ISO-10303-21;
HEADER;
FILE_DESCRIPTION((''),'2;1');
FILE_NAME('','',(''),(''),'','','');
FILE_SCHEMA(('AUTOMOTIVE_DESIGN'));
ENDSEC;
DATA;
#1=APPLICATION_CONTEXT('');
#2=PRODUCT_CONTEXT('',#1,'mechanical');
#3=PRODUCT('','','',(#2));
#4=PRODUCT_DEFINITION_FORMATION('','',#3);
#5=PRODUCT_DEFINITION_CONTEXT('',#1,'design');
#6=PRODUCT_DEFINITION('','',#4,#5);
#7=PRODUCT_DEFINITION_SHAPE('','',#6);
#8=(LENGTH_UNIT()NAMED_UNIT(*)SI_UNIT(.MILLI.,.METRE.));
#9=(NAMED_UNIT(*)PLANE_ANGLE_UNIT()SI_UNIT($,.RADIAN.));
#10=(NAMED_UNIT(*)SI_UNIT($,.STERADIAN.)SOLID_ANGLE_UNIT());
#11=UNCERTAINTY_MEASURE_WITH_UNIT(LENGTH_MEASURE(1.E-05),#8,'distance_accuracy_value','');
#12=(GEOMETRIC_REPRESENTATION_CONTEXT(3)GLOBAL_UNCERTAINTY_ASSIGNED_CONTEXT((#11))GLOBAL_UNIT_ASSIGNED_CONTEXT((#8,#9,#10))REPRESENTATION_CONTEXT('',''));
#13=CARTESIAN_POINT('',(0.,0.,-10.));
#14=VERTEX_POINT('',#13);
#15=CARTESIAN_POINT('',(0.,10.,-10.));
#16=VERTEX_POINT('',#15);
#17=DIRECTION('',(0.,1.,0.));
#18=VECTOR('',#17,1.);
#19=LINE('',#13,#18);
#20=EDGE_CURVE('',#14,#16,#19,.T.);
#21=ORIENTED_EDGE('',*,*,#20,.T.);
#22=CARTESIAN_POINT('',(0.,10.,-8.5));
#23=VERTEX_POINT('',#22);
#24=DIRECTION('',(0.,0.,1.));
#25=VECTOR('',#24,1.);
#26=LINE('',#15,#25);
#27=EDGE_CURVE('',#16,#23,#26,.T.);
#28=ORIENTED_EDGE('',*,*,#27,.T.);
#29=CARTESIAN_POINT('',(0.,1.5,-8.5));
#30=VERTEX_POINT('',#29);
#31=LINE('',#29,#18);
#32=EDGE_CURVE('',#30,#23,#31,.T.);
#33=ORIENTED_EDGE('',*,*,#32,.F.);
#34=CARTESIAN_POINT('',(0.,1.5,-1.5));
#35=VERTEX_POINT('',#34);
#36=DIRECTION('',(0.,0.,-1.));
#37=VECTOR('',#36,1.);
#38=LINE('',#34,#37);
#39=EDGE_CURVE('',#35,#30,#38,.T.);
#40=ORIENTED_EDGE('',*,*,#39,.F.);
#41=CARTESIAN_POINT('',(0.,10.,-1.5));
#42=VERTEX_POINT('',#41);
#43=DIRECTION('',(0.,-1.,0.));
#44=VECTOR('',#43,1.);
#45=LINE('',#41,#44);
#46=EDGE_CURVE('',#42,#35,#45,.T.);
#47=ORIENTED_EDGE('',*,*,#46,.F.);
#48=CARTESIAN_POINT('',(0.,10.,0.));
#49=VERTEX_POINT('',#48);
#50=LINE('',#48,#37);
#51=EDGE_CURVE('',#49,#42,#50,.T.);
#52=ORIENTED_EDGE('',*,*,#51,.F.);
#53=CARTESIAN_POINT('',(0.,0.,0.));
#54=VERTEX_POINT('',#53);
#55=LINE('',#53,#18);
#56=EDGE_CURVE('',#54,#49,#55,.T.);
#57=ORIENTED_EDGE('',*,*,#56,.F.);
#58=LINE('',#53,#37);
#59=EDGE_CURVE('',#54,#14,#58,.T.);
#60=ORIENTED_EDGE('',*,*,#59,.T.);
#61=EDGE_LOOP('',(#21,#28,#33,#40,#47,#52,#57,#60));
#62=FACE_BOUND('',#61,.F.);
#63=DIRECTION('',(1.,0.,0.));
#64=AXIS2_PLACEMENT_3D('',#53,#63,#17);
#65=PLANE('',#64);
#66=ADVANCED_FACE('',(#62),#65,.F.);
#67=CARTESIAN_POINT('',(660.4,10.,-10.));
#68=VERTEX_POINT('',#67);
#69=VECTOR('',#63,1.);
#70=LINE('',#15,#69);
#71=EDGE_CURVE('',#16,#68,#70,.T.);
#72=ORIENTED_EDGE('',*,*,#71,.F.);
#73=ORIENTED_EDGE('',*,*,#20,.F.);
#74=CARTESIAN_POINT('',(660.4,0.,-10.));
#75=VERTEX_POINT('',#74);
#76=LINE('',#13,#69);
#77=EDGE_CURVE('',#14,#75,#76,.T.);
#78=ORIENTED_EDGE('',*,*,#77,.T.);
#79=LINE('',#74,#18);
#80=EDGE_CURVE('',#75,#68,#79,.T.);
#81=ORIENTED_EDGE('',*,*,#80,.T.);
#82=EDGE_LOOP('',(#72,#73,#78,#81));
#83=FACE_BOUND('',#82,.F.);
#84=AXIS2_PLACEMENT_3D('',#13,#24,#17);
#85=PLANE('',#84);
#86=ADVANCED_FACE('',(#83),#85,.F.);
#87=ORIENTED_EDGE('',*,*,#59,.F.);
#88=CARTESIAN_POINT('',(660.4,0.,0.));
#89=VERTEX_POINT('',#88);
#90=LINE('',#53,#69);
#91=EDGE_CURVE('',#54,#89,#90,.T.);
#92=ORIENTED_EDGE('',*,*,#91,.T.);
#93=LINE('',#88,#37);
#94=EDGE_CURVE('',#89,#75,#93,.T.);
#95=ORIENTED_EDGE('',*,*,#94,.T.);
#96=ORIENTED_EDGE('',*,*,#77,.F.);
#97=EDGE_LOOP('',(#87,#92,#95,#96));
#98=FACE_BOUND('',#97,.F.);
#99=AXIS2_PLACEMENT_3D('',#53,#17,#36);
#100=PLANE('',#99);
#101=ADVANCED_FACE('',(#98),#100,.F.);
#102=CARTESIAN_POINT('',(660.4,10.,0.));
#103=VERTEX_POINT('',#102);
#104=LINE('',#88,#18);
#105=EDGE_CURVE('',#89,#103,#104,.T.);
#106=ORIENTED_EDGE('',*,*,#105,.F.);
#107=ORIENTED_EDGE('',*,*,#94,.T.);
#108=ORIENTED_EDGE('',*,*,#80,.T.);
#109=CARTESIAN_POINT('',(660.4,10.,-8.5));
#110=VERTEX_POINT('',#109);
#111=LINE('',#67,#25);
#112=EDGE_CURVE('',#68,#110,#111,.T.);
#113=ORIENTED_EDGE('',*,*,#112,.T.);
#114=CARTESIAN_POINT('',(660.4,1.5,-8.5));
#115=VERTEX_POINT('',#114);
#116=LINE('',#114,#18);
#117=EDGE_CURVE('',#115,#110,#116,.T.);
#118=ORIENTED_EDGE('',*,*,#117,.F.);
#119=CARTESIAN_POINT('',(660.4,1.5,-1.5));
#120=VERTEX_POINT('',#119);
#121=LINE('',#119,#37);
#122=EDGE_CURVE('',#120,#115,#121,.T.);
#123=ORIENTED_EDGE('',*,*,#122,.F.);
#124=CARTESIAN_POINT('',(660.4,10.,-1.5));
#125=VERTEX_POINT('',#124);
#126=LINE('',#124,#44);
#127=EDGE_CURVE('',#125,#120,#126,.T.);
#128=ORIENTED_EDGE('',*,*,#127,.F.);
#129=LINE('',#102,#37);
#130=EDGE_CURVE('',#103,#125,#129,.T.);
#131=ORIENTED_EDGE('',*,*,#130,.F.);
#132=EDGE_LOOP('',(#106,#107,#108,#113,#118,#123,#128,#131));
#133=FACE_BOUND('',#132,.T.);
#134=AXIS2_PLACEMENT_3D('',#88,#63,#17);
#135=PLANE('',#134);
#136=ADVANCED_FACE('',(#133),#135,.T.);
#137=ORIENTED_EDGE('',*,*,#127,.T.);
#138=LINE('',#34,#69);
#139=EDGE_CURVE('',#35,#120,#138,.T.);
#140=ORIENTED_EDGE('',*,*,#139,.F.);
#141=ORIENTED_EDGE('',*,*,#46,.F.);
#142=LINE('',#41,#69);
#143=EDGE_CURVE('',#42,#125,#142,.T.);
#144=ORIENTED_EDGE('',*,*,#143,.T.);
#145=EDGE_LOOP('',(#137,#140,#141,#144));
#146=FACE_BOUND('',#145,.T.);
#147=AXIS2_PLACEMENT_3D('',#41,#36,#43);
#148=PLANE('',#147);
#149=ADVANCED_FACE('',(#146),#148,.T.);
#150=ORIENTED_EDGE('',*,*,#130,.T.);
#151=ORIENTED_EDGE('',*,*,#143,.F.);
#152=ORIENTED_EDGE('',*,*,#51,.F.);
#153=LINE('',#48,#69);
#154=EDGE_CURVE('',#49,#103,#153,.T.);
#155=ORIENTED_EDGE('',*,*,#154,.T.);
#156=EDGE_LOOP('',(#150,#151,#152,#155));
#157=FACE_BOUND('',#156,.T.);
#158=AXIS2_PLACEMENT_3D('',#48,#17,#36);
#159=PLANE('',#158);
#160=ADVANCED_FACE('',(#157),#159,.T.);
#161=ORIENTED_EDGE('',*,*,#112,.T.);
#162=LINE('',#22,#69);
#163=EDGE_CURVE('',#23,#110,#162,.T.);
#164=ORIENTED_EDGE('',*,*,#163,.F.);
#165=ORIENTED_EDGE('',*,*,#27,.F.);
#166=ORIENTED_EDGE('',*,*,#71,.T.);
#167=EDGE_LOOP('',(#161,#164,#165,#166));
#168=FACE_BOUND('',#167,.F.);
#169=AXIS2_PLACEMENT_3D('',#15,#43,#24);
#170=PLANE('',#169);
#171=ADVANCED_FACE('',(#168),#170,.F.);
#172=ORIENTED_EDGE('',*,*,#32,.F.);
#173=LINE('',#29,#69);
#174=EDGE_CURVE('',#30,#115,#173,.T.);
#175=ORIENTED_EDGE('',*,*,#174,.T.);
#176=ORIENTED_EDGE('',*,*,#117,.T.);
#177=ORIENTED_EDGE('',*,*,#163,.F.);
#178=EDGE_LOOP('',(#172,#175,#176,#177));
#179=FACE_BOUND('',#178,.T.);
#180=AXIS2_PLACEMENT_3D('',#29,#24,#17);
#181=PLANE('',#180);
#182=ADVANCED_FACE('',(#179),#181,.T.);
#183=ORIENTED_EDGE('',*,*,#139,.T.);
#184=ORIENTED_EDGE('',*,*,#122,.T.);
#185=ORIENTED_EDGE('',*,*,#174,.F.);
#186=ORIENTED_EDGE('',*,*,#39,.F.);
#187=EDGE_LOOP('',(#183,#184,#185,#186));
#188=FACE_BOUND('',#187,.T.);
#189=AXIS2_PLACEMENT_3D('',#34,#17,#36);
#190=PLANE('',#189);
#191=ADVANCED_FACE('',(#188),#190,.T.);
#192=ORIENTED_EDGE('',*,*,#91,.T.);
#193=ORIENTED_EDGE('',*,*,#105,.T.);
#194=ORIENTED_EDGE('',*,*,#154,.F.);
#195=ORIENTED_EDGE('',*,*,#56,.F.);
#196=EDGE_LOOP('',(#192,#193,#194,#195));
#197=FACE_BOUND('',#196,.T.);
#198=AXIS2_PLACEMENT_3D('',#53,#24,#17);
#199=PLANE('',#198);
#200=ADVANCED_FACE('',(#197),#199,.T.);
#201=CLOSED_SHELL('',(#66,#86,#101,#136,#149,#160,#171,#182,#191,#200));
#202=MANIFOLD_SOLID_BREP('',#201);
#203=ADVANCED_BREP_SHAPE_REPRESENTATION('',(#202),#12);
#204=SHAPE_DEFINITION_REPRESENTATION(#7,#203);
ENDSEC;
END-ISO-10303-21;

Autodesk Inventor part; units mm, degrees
ref_plane "YZ Plane" through (0, 0, 0) normal (1, 0, 0) x (0, 1, 0)
ref_plane "XZ Plane" through (0, 0, 0) normal (0, 1, 0) x (-1, 0, 0)
ref_plane "XY Plane" through (0, 0, 0) normal (0, 0, 1) x (1, 0, 0)
sketch "Sketch1" plane through (0, 0, 0) normal (1, 0, 0) x (0, 1, 0)
  line L0 (0, 0) -> (0, -10)
  line L1 (0, -10) -> (10, -10)
  line L2 (10, -10) -> (10, -8.5)
  line L3 (0, 0) -> (10, 0)
  line L4 (10, 0) -> (10, -1.5)
  line L5 (0, -5) -> (1.5, -5) construction
  line L6 (10, -1.5) -> (1.5, -1.5)
  line L7 (1.5, -1.5) -> (1.5, -8.5)
  line L8 (1.5, -8.5) -> (10, -8.5)
  dimension "d0" = 10
  dimension "d1" = 10
  dimension "d2" = 1.5
  dimension "d3" = 10
  dimension "d4" = 1.5
  dimension "d5" = 1.5
extrude "Extrusion1" add sketch "Sketch1" along normal blind 660.4
properties part number "26in mini C-Channel (rail)" material "Aluminum 6061"
